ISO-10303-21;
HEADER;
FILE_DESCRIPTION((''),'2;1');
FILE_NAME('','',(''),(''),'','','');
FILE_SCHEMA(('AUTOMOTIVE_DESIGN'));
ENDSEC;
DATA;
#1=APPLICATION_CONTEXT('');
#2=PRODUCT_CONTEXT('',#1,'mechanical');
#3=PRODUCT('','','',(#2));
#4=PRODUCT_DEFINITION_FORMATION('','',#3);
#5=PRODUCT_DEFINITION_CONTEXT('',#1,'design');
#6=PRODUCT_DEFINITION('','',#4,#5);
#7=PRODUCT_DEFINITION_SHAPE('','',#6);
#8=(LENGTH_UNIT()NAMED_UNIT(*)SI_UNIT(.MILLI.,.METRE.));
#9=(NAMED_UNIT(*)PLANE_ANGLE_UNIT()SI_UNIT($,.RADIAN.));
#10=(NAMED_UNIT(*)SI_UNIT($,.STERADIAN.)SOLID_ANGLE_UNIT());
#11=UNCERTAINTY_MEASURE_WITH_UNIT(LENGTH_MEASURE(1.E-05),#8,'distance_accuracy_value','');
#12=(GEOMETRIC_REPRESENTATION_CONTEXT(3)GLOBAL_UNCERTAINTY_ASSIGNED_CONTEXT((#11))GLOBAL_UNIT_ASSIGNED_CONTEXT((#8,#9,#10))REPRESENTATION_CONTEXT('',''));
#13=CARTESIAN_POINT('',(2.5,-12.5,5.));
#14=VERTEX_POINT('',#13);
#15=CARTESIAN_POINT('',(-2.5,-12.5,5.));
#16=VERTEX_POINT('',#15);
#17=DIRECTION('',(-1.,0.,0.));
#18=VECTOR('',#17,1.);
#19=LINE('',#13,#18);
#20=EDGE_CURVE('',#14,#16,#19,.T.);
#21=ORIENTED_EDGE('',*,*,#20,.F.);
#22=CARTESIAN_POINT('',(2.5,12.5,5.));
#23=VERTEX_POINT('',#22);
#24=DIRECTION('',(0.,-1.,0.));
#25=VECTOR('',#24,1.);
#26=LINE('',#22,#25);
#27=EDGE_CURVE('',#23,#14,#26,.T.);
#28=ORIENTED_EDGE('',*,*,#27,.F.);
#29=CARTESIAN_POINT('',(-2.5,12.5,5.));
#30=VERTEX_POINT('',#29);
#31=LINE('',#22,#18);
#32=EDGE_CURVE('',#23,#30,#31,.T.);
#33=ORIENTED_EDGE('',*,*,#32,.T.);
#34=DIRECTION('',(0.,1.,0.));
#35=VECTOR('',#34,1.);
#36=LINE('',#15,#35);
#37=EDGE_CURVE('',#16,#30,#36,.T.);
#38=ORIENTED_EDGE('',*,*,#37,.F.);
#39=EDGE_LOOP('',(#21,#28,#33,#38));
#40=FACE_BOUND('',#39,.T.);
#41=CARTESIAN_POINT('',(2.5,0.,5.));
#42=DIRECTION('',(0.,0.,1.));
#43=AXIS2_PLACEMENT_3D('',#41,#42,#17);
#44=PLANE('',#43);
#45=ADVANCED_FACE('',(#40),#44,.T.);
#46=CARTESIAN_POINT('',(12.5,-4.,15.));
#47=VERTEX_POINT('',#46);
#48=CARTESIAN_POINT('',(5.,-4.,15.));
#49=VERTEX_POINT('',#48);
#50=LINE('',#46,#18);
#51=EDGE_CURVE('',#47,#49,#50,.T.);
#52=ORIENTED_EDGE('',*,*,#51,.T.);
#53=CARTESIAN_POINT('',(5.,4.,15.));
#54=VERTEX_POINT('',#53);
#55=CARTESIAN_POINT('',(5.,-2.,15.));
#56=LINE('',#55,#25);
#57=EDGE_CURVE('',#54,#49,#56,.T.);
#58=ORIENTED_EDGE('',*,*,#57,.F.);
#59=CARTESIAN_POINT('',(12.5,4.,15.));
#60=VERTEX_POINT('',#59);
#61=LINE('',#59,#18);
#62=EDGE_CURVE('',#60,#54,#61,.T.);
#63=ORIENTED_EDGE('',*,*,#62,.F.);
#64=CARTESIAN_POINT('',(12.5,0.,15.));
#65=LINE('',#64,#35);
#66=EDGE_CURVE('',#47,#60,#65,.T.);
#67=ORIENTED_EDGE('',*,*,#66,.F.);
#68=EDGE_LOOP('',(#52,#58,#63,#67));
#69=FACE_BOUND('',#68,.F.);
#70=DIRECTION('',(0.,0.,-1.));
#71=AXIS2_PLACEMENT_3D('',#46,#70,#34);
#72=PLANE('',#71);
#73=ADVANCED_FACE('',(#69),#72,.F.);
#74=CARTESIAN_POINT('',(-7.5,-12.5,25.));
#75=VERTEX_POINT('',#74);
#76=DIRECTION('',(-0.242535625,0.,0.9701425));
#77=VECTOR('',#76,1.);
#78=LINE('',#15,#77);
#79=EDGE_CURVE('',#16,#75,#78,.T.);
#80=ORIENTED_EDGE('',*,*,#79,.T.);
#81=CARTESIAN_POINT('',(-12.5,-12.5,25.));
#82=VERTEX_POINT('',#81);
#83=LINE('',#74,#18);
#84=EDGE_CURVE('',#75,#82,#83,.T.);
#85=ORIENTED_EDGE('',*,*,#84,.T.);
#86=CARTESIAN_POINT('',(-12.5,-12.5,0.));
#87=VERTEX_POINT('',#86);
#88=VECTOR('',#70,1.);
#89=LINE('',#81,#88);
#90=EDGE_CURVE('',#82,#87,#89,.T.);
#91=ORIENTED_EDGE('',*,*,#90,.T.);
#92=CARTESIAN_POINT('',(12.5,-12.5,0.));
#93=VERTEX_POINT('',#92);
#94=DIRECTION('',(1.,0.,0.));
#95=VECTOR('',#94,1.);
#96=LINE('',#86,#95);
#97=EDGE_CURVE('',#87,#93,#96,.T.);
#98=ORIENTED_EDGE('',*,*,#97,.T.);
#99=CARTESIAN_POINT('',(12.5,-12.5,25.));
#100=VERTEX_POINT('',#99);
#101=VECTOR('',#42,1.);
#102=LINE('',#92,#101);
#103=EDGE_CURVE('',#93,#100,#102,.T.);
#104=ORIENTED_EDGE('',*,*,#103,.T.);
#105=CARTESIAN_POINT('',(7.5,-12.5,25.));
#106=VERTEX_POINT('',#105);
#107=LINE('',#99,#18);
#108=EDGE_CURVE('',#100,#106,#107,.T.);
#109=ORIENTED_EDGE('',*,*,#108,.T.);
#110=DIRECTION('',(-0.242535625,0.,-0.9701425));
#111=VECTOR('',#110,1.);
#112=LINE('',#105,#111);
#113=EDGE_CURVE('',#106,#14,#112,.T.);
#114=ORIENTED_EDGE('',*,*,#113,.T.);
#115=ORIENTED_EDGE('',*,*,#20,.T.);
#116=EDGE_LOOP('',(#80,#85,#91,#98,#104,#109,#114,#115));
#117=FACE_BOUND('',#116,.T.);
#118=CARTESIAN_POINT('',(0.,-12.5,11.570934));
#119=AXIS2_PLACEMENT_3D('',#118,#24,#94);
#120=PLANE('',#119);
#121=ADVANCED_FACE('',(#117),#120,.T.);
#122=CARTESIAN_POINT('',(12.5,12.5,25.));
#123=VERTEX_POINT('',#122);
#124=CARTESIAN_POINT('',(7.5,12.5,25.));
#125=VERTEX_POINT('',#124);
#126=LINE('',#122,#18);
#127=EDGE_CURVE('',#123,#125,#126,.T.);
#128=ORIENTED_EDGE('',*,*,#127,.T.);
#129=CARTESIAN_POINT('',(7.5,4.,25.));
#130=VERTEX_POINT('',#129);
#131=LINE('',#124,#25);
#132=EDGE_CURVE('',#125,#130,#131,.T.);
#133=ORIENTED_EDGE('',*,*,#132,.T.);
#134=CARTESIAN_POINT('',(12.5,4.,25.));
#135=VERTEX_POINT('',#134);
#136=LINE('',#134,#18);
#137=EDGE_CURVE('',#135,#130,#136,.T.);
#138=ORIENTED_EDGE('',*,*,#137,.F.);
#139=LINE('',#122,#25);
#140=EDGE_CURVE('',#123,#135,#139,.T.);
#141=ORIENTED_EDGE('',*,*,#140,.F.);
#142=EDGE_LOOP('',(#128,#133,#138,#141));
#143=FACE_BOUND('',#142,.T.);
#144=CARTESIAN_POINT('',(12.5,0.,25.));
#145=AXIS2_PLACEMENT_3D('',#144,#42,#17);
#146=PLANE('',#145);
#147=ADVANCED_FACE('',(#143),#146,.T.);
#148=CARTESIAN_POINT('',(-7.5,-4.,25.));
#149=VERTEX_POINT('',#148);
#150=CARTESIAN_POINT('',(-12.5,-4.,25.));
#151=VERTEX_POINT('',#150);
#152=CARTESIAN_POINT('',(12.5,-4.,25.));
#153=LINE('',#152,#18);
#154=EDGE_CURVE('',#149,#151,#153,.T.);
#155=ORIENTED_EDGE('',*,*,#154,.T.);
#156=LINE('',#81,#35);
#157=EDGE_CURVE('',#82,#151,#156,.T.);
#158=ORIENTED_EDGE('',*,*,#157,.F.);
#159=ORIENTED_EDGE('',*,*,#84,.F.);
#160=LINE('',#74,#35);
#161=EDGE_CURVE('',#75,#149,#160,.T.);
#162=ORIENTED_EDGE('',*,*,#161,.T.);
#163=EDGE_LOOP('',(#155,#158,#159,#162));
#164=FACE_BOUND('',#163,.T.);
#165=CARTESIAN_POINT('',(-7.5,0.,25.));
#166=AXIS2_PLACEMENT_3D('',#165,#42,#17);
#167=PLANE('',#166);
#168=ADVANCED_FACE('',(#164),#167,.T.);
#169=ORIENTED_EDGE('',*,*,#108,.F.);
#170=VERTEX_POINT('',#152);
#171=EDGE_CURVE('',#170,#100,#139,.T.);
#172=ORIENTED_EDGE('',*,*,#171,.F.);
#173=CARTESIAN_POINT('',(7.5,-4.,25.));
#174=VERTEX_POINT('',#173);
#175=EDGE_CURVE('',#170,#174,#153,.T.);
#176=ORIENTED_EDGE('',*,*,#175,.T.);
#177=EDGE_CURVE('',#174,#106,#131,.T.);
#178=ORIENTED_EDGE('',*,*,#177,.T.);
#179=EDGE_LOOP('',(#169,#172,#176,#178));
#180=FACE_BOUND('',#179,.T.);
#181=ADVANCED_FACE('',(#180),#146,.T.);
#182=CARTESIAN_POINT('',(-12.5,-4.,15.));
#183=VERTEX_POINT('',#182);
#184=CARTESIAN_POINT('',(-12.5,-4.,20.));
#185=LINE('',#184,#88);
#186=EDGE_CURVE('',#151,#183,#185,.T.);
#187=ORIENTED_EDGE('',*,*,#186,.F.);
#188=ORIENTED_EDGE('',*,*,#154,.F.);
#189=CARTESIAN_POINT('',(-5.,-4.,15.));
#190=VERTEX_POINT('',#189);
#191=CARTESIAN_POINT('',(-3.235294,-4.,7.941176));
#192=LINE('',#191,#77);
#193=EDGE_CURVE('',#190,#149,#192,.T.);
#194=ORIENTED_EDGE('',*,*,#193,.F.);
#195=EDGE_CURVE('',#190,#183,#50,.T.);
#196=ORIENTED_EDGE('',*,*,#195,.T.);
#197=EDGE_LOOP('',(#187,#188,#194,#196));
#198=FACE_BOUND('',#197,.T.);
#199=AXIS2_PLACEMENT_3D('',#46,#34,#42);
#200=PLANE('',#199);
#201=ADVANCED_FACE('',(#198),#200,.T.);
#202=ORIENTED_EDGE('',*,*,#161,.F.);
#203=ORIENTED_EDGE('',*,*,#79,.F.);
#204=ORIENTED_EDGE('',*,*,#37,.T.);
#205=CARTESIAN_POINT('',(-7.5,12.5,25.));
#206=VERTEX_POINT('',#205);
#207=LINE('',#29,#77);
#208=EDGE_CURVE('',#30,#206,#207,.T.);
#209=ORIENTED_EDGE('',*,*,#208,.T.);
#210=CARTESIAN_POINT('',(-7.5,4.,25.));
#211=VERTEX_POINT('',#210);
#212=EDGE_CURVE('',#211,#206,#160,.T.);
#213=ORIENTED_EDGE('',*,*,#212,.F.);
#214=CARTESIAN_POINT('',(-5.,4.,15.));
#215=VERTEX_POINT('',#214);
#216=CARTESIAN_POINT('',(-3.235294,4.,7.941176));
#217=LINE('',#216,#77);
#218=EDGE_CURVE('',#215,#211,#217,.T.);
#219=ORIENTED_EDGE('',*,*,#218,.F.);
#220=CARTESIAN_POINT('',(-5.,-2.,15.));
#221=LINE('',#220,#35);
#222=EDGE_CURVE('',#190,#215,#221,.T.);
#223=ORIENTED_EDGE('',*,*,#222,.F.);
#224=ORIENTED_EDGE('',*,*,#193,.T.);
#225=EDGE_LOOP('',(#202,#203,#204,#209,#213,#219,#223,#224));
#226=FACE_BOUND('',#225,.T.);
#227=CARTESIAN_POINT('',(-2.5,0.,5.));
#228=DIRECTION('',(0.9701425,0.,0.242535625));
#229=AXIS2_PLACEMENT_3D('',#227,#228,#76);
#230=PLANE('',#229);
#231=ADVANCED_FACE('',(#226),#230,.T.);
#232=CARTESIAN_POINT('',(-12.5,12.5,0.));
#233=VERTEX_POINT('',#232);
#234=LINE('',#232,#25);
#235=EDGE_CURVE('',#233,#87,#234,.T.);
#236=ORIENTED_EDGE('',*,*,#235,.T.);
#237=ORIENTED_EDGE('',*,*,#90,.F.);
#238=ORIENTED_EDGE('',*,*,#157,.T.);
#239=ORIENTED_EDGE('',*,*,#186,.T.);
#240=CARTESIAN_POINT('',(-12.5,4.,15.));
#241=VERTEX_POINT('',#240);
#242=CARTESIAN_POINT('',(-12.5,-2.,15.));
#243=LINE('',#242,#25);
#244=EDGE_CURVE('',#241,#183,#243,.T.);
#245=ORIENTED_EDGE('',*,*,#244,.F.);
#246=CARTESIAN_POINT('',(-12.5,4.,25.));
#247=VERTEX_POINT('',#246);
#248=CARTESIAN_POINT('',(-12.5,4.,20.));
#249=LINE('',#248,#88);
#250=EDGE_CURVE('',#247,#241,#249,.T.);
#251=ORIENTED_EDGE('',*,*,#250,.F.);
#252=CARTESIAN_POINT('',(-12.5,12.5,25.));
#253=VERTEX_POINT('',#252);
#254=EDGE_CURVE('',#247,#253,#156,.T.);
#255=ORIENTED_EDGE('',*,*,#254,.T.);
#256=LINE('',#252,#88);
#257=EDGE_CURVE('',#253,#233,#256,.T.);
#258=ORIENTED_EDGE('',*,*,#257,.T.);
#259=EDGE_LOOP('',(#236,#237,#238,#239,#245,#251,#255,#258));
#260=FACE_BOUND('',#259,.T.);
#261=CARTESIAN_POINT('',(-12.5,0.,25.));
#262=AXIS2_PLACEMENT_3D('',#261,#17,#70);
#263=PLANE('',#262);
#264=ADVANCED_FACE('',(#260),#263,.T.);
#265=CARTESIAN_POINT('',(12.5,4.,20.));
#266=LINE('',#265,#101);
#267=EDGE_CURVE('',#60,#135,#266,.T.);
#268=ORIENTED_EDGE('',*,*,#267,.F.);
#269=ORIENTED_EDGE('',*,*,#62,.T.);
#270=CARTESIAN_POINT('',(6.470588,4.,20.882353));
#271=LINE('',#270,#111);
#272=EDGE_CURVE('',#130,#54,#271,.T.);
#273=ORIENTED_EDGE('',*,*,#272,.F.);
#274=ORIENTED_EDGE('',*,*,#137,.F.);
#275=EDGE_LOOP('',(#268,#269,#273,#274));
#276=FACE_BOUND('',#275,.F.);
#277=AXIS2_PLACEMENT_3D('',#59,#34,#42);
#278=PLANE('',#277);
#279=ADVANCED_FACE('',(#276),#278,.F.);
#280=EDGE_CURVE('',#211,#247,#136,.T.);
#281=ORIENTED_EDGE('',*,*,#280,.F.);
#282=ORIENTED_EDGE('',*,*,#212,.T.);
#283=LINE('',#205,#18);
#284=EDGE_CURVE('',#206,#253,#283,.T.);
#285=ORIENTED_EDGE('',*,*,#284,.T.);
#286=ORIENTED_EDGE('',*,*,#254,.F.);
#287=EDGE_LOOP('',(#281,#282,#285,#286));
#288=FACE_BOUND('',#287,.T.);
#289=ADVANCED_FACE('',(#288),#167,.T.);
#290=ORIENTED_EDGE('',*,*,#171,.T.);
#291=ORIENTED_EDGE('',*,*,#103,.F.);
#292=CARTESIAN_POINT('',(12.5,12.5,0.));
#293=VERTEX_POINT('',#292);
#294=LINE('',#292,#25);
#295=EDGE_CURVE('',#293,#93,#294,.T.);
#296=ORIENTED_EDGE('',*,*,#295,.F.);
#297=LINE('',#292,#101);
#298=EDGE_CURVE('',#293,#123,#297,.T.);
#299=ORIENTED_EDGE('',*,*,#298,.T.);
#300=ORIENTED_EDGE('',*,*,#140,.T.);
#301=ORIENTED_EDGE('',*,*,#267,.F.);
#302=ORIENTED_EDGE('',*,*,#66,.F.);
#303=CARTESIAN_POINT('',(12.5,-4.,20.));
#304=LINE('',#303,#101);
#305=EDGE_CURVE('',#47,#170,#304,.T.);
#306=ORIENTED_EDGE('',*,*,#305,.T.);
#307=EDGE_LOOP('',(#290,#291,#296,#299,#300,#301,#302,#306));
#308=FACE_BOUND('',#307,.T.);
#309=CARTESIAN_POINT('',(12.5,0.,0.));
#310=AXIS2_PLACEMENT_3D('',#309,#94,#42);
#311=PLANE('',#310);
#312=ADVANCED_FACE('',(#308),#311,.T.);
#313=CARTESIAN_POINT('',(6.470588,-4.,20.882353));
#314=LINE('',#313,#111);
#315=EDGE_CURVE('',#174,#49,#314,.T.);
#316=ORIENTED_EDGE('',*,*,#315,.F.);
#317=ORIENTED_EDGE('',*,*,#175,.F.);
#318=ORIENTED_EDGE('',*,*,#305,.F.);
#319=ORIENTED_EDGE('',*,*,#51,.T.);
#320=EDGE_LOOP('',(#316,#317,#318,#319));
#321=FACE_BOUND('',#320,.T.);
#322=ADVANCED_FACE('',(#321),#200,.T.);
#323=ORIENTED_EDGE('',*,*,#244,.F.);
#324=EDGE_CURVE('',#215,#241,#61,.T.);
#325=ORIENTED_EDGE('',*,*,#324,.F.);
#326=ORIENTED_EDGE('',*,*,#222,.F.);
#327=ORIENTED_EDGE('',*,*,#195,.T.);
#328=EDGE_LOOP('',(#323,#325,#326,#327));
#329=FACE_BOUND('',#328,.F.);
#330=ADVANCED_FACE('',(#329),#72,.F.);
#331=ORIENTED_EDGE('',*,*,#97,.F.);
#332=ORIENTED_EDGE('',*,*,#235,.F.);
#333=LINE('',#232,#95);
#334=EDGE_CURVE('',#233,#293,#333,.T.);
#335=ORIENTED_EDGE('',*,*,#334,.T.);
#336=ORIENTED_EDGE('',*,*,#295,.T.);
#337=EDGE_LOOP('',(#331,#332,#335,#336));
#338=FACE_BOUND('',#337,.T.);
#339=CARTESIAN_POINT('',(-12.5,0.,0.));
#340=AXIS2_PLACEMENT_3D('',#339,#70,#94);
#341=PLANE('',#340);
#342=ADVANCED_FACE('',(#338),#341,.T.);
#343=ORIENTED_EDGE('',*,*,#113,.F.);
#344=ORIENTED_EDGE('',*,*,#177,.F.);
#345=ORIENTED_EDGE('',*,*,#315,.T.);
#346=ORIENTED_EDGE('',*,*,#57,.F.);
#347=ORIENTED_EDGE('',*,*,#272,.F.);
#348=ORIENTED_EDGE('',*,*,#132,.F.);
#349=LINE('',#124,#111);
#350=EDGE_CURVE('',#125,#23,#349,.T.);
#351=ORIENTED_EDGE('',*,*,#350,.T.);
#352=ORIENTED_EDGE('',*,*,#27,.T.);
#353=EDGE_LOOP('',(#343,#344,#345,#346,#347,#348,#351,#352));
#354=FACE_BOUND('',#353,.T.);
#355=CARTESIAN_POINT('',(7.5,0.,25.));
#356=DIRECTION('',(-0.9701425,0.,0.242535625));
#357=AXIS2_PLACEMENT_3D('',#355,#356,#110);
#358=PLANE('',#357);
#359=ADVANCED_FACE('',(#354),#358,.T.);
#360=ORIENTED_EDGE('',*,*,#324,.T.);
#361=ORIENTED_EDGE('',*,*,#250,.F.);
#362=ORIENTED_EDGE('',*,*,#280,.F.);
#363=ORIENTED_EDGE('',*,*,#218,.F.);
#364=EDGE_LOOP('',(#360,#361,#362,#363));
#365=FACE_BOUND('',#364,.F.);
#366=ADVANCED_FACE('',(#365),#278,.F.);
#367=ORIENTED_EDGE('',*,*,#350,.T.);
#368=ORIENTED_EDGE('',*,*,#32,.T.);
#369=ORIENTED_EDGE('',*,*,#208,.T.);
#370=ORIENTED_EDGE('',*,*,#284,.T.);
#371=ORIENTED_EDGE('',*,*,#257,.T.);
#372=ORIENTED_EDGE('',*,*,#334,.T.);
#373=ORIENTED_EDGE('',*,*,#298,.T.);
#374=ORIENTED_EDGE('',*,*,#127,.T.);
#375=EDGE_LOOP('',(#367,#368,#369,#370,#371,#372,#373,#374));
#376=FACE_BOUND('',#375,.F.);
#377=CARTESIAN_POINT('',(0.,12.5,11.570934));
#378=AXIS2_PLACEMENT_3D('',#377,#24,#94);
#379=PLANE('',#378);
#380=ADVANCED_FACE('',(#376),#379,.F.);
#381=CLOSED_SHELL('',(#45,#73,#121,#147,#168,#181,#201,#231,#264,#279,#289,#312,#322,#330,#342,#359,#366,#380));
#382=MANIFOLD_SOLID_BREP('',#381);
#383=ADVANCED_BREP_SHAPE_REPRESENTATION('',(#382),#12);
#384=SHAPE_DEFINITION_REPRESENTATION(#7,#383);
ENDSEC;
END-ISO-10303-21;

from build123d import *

# Parameters (mm, degrees)
F1_DEPTH = 12.5
F2_W     = 8
F2_H     = 10
F3_DEPTH = 25.001


with BuildPart() as f1:
    # F0 (on Front) → F1 (new body, symmetric)
    with BuildSketch(Plane.XZ):
        Polygon((-12.5, 25), (-12.5, 0), (12.5, 0), (12.5, 25), (7.5, 25), (2.5, 5), (-2.5, 5), (-7.5, 25), align=None)
    extrude(amount=F1_DEPTH, both=True)

    # F2 (on face) → F3 (cut, through all)
    with BuildSketch(Plane.YZ.offset(12.5)):
        with Locations((0, 20)):
            Rectangle(F2_W, F2_H)
    extrude(amount=-F3_DEPTH, mode=Mode.SUBTRACT)


solid = f1.part
